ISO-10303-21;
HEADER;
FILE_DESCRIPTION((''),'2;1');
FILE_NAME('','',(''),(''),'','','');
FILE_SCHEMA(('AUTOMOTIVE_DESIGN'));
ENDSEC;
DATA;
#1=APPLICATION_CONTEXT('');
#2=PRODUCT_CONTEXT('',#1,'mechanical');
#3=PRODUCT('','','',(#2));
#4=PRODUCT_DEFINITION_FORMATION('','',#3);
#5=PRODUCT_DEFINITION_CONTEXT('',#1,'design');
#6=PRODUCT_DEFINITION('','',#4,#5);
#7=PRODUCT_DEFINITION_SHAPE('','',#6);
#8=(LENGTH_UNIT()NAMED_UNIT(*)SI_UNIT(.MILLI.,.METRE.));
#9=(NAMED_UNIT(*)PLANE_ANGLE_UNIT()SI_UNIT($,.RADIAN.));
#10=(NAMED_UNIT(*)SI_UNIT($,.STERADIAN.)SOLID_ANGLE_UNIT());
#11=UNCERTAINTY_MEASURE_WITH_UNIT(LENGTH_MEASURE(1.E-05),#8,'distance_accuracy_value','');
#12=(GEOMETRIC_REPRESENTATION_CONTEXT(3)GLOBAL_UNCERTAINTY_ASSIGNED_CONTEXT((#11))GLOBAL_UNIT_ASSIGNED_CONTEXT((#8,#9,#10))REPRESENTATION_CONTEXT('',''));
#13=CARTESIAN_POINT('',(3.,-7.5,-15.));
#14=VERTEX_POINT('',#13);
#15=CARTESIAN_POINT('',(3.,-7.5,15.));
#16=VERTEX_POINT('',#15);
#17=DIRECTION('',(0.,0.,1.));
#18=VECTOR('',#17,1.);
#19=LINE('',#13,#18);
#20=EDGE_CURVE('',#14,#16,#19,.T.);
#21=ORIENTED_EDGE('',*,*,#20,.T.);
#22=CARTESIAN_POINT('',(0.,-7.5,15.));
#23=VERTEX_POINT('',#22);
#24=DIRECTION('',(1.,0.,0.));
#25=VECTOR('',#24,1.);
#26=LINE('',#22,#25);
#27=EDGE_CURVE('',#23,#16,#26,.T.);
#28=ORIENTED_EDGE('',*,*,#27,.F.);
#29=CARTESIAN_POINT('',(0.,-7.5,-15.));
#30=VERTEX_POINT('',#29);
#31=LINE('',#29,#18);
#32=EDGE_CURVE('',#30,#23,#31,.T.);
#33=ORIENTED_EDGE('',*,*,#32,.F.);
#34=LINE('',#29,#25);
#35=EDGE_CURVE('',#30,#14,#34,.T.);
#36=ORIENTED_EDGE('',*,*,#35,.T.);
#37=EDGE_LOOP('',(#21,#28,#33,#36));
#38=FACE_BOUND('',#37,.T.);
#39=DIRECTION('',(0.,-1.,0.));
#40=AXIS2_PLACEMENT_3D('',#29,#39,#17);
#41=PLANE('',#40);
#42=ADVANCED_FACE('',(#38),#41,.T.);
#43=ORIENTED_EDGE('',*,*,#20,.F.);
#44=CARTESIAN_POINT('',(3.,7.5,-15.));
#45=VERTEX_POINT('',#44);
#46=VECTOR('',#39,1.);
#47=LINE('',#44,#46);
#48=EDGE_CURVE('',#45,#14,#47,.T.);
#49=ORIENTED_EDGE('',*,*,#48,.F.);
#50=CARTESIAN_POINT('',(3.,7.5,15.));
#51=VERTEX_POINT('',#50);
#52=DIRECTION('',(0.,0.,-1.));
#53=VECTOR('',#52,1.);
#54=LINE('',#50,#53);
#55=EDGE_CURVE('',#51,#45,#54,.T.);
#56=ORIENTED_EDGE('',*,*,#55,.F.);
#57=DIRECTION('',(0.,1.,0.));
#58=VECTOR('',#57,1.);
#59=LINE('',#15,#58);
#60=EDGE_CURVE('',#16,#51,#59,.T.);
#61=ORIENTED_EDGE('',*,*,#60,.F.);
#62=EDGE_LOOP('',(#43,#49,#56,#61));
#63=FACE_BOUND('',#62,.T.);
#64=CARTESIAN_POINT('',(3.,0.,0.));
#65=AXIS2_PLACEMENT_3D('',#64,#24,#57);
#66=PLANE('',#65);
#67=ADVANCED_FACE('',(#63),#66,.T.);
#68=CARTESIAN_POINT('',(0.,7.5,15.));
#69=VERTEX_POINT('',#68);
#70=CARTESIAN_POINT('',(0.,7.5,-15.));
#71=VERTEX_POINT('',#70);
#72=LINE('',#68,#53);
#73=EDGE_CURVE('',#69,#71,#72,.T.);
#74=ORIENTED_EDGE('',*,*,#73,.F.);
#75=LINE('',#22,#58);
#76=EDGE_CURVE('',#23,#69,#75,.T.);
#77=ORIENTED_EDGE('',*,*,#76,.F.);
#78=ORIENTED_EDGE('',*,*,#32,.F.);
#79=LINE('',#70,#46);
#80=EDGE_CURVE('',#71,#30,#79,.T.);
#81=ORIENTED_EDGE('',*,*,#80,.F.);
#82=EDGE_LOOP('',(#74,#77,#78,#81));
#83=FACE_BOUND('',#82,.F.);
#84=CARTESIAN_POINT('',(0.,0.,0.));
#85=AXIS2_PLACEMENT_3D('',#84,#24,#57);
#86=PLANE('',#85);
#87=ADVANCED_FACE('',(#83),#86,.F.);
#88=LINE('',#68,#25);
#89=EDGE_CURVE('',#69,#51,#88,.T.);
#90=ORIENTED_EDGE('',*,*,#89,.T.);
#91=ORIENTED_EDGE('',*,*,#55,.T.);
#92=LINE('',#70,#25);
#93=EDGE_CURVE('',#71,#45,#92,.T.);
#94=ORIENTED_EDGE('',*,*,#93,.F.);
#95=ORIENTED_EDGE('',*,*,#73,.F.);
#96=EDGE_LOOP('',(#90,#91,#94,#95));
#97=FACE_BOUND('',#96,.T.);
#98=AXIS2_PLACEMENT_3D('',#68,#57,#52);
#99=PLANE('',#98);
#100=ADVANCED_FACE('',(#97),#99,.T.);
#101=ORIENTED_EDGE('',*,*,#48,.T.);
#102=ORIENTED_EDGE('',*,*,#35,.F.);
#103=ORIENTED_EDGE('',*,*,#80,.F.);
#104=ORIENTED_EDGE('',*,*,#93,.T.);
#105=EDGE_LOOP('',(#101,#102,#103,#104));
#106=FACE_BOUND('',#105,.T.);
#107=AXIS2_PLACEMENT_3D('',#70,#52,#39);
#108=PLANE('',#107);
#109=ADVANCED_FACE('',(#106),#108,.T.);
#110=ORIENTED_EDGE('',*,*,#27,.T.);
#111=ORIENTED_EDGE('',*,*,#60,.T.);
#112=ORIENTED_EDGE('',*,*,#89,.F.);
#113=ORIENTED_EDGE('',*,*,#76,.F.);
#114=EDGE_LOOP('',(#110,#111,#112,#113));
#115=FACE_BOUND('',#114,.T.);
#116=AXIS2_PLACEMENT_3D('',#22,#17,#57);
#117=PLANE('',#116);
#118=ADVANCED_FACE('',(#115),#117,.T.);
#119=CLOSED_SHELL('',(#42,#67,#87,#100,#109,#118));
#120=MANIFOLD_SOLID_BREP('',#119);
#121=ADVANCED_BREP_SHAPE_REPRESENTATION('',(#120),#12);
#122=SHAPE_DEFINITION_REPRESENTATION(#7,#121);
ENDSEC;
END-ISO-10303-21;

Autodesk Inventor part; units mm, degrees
ref_plane "YZ Plane" through (0, 0, 0) normal (1, 0, 0) x (0, 1, 0)
ref_plane "XZ Plane" through (0, 0, 0) normal (0, 1, 0) x (-1, 0, 0)
ref_plane "XY Plane" through (0, 0, 0) normal (0, 0, 1) x (1, 0, 0)
sketch "Sketch1" plane through (0, 0, 0) normal (1, 0, 0) x (0, 1, 0)
  line L0 (-7.5, 15) -> (7.5, 15)
  line L1 (7.5, 15) -> (7.5, -15)
  line L2 (7.5, -15) -> (-7.5, -15)
  line L3 (-7.5, -15) -> (-7.5, 15)
  line L4 (-7.5, 15) -> (7.5, -15) construction
  line L5 (7.5, 15) -> (-7.5, -15) construction
  point P0 (0, 0)
  dimension "d0" = 15
  dimension "d1" = 30
extrude "Extrusion1" add sketch "Sketch1" along normal blind 3
sketch "Sketch2" plane through (3, 0, 0) normal (1, 0, 0) x (0, 0, -1)
  line L0 (-8.8041, 1.9151) -> (9.2023, 1.9151) construction
  line L1 (9.2023, 1.9151) -> (9.2023, -1.2514) construction
  line L2 (9.2023, -1.2514) -> (-8.8041, -1.2514) construction
  line L3 (-8.8041, -1.2514) -> (-8.8041, 1.9151) construction
  point P0 (0, 0)
properties part number "IR Sensor" material "PVC-Piping"
